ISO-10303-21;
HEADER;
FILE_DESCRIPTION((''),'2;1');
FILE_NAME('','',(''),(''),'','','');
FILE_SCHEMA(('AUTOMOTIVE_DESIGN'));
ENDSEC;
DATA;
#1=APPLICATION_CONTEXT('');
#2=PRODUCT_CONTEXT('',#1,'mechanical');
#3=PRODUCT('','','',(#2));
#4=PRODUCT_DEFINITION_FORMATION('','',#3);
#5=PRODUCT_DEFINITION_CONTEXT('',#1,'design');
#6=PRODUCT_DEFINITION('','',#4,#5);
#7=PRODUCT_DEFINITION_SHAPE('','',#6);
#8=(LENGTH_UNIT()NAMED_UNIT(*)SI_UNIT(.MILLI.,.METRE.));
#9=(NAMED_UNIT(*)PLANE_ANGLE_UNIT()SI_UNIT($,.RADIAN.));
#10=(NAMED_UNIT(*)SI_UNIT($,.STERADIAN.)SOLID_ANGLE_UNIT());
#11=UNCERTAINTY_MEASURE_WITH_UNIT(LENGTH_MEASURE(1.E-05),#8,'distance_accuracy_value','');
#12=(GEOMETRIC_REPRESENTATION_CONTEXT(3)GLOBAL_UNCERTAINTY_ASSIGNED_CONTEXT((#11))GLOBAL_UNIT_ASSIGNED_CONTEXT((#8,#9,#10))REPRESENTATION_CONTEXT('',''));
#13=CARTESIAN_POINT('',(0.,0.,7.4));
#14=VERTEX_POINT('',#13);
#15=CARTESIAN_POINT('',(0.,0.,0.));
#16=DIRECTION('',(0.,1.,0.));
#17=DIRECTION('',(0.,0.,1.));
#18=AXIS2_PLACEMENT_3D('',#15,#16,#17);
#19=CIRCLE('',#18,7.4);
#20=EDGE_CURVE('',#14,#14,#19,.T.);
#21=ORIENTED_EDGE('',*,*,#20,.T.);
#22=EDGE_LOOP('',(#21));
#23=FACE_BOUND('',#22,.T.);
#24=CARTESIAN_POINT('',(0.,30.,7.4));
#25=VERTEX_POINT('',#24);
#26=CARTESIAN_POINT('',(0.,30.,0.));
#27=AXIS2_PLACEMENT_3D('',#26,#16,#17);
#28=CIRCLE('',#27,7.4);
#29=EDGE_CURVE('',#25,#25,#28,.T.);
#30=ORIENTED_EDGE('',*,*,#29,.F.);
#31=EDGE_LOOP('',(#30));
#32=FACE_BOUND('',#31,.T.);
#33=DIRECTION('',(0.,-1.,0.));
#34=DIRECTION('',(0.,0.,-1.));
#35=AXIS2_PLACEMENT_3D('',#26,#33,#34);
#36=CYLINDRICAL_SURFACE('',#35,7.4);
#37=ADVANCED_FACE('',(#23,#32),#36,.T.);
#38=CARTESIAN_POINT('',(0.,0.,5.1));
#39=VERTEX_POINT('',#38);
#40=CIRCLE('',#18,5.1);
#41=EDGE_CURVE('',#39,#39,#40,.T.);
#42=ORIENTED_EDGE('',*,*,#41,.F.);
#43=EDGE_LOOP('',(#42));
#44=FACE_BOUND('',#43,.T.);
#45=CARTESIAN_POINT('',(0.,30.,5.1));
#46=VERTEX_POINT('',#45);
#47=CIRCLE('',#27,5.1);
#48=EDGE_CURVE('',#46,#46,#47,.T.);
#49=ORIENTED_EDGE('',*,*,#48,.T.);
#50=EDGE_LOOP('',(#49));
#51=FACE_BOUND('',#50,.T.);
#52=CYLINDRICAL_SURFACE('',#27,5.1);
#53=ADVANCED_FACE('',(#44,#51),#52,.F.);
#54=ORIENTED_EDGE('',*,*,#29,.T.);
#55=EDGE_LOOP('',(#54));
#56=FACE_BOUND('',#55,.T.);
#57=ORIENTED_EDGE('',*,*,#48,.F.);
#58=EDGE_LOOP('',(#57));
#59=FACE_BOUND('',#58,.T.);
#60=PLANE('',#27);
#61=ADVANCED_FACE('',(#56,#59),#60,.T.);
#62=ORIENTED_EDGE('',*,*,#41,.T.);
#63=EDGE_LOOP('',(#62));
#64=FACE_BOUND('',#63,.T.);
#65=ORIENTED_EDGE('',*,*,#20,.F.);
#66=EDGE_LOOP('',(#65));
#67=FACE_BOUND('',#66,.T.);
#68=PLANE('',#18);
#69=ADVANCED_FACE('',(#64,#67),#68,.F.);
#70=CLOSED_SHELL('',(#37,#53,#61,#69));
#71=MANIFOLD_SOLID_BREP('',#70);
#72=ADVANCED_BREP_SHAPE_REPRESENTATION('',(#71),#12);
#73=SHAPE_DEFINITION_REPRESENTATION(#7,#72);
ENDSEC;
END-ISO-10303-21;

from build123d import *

# Parameters (mm, degrees)
SKETCH1_R               = 7.4
BOSS_EXTRUDE1_DEPTH     = 30
M12X1_75_TAPPED_HOLE1_D = 10.2


with BuildPart() as part:
    # Sketch1 → Boss-Extrude1 (new body)
    with BuildSketch(Plane(origin=(0, 0, 0), x_dir=(1, 0, 0), z_dir=(0, 1, 0))):
        Circle(SKETCH1_R)
    extrude(amount=BOSS_EXTRUDE1_DEPTH)

    # M12x1.75 Tapped Hole1 (through all)
    with Locations(Plane(origin=(0, 30, 0), x_dir=(1, 0, 0), z_dir=(0, 1, 0))):
        with Locations((0, 0)):
            Hole(M12X1_75_TAPPED_HOLE1_D / 2)


solid = part.part
